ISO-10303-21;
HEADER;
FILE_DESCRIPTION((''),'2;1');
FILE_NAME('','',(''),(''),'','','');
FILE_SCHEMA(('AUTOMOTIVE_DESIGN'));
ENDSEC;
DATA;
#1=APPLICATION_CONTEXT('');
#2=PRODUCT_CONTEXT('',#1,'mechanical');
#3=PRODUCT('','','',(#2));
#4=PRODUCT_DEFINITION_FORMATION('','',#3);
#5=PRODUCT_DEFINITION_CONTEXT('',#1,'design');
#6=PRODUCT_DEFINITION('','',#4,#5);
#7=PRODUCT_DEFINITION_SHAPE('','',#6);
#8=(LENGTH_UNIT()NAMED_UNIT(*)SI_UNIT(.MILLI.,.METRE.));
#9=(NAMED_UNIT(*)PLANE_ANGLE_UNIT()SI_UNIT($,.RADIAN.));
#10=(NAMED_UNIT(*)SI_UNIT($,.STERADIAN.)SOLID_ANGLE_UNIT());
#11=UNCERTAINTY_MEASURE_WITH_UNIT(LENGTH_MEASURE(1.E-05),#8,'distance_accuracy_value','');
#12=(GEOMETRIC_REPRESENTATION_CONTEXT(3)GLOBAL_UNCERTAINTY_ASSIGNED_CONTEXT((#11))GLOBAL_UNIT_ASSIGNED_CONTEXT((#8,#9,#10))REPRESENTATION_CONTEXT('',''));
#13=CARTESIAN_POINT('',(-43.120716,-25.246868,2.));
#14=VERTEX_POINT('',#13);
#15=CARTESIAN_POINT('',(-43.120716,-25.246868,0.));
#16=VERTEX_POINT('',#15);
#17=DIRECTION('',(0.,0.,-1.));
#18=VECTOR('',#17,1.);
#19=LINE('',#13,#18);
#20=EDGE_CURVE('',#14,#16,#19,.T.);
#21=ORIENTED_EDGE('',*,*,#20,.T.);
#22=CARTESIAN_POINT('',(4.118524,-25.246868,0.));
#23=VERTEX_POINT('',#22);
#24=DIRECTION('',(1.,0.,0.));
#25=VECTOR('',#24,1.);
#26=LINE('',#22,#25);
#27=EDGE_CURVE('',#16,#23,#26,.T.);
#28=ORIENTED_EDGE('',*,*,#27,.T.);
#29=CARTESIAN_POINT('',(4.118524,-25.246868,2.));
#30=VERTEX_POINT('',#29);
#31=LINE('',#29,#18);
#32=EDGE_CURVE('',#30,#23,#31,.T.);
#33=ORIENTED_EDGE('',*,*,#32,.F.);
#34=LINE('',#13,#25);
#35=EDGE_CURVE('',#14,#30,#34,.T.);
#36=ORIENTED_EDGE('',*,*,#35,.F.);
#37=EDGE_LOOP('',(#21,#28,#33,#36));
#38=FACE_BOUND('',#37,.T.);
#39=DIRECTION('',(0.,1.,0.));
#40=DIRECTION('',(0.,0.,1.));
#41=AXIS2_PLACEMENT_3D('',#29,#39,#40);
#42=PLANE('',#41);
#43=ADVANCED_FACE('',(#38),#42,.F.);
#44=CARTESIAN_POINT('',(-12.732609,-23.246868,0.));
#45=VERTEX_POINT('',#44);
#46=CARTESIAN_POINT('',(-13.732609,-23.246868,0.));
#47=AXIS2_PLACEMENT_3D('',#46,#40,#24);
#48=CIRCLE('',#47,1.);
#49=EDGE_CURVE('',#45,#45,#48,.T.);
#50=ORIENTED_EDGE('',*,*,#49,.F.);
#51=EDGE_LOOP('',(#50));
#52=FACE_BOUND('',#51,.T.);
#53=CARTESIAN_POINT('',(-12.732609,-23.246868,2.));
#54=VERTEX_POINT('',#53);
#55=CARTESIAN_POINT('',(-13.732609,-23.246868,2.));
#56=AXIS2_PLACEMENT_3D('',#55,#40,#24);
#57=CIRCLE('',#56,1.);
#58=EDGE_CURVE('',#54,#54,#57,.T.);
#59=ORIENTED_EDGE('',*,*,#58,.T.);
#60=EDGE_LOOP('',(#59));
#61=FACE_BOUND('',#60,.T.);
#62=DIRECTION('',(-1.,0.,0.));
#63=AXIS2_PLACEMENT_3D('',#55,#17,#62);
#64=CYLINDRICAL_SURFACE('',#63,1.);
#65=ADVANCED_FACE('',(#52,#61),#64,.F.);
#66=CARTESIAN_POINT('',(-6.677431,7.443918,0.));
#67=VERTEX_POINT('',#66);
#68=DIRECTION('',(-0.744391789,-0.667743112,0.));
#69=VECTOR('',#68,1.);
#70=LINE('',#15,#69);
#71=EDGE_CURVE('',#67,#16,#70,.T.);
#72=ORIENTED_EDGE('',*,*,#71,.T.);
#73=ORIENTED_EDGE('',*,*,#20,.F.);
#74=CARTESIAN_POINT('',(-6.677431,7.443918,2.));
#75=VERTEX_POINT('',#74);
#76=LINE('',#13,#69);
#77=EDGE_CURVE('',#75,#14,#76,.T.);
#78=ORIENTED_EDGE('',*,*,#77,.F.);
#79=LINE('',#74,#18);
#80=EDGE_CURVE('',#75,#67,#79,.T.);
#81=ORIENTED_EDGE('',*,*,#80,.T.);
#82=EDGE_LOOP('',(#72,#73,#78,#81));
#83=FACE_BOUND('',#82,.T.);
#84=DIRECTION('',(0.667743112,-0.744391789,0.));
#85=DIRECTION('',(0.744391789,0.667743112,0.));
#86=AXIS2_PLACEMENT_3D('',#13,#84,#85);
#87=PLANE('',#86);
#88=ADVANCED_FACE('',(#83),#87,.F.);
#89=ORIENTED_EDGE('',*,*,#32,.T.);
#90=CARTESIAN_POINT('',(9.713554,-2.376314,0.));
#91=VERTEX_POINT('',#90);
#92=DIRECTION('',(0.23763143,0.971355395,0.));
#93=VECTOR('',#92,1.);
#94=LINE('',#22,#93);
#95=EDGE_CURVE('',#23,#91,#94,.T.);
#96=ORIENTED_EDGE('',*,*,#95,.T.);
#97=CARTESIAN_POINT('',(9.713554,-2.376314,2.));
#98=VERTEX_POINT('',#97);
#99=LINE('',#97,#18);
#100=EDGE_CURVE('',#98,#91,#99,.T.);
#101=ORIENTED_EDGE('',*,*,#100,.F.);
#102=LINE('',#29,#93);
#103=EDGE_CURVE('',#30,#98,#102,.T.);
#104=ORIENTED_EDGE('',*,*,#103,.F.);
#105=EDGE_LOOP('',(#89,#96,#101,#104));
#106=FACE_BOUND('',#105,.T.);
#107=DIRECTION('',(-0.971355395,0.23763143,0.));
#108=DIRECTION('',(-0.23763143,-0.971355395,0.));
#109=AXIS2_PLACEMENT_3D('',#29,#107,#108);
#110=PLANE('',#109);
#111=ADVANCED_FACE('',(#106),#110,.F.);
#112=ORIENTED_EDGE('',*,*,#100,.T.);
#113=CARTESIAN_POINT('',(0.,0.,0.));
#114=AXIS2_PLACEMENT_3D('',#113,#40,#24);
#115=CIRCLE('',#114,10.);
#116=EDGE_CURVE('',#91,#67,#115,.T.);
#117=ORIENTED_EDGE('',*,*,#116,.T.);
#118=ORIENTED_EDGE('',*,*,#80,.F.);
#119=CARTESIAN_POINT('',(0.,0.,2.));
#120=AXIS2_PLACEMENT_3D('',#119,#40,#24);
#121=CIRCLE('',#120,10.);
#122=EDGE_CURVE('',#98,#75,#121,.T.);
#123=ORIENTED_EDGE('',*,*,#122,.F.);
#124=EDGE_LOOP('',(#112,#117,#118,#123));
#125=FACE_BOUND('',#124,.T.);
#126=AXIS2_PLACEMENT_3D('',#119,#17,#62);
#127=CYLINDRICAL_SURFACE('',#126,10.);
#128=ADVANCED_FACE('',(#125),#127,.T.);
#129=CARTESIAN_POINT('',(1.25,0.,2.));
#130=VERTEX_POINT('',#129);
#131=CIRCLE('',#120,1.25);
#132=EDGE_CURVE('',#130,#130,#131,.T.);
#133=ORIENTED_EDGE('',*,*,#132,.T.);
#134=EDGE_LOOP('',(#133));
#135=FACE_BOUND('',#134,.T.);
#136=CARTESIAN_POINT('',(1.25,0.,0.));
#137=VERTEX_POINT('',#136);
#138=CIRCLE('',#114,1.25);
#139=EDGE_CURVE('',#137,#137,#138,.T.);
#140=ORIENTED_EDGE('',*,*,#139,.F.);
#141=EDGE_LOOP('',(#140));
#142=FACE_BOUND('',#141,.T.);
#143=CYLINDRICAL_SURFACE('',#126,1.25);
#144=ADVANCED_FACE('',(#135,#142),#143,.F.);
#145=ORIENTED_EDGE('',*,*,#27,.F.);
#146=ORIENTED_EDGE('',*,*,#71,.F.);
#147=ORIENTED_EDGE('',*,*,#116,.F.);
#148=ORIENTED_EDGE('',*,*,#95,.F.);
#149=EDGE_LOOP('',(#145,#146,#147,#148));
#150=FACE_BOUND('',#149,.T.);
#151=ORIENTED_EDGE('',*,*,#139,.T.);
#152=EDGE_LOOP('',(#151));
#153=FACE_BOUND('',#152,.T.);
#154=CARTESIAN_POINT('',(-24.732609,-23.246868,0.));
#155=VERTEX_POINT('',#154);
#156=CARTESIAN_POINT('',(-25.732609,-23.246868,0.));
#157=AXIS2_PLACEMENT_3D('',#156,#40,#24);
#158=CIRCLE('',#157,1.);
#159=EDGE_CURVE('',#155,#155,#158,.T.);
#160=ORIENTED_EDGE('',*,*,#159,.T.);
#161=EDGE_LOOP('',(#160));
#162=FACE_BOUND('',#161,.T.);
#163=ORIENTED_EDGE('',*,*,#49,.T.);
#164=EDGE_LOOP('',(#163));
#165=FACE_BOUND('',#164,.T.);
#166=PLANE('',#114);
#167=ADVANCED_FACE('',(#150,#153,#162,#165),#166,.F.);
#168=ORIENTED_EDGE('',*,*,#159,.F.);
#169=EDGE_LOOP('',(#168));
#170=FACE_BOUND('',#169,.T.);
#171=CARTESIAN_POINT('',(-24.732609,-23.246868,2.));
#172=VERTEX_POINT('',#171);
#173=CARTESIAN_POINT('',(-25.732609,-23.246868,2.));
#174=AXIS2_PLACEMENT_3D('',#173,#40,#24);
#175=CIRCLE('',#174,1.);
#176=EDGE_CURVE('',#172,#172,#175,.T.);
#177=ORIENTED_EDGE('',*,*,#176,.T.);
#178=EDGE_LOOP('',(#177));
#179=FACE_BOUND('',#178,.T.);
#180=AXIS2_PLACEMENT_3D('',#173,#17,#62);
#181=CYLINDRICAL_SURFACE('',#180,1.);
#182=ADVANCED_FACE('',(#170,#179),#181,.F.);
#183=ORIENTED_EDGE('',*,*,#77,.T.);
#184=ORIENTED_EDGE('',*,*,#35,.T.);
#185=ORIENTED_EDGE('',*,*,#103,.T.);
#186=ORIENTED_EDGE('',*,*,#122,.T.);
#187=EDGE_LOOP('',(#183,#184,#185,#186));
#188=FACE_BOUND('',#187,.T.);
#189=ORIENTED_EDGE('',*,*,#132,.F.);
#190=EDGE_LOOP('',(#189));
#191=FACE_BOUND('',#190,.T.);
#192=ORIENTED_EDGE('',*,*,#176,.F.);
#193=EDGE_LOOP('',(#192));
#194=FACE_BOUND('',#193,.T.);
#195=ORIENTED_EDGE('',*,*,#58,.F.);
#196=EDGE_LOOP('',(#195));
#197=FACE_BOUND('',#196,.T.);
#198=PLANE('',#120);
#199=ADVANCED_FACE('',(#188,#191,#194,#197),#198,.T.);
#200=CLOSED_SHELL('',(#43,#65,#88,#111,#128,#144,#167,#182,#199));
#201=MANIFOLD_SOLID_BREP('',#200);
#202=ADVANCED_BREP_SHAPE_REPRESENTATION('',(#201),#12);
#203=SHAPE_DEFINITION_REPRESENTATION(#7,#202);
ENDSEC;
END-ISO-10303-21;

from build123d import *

# Parameters (mm, degrees)
SKETCH_1_R      = 1.25
SKETCH_1_R_2    = 1
EXTRUDE_1_DEPTH = 2


with BuildPart() as part:
    # 草圖1 → 填料-伸長1 (new body)
    with BuildSketch(Plane.XY):
        with BuildLine():
            Line((-41.078680873, -25.246867961), (3.125001345, -25.246867961))
            Line((3.125001345, -25.246867961), (4.118524153, -25.246867961))
            Line((4.118524153, -25.246867961), (9.71355395, -2.376314303))
            ThreePointArc((9.71355395, -2.376314303), (5.139430957, 8.578242795), (-6.677431122, 7.443917894))
            Line((-6.677431122, 7.443917894), (-43.120716176, -25.246867961))
            Line((-43.120716176, -25.246867961), (-41.078680873, -25.246867961))
        make_face()
        Circle(SKETCH_1_R, mode=Mode.SUBTRACT)
        with Locations((-25.732609449, -23.246867961)):
            Circle(SKETCH_1_R_2, mode=Mode.SUBTRACT)
        with Locations((-13.732609449, -23.246867961)):
            Circle(SKETCH_1_R_2, mode=Mode.SUBTRACT)
    extrude(amount=EXTRUDE_1_DEPTH)


solid = part.part
